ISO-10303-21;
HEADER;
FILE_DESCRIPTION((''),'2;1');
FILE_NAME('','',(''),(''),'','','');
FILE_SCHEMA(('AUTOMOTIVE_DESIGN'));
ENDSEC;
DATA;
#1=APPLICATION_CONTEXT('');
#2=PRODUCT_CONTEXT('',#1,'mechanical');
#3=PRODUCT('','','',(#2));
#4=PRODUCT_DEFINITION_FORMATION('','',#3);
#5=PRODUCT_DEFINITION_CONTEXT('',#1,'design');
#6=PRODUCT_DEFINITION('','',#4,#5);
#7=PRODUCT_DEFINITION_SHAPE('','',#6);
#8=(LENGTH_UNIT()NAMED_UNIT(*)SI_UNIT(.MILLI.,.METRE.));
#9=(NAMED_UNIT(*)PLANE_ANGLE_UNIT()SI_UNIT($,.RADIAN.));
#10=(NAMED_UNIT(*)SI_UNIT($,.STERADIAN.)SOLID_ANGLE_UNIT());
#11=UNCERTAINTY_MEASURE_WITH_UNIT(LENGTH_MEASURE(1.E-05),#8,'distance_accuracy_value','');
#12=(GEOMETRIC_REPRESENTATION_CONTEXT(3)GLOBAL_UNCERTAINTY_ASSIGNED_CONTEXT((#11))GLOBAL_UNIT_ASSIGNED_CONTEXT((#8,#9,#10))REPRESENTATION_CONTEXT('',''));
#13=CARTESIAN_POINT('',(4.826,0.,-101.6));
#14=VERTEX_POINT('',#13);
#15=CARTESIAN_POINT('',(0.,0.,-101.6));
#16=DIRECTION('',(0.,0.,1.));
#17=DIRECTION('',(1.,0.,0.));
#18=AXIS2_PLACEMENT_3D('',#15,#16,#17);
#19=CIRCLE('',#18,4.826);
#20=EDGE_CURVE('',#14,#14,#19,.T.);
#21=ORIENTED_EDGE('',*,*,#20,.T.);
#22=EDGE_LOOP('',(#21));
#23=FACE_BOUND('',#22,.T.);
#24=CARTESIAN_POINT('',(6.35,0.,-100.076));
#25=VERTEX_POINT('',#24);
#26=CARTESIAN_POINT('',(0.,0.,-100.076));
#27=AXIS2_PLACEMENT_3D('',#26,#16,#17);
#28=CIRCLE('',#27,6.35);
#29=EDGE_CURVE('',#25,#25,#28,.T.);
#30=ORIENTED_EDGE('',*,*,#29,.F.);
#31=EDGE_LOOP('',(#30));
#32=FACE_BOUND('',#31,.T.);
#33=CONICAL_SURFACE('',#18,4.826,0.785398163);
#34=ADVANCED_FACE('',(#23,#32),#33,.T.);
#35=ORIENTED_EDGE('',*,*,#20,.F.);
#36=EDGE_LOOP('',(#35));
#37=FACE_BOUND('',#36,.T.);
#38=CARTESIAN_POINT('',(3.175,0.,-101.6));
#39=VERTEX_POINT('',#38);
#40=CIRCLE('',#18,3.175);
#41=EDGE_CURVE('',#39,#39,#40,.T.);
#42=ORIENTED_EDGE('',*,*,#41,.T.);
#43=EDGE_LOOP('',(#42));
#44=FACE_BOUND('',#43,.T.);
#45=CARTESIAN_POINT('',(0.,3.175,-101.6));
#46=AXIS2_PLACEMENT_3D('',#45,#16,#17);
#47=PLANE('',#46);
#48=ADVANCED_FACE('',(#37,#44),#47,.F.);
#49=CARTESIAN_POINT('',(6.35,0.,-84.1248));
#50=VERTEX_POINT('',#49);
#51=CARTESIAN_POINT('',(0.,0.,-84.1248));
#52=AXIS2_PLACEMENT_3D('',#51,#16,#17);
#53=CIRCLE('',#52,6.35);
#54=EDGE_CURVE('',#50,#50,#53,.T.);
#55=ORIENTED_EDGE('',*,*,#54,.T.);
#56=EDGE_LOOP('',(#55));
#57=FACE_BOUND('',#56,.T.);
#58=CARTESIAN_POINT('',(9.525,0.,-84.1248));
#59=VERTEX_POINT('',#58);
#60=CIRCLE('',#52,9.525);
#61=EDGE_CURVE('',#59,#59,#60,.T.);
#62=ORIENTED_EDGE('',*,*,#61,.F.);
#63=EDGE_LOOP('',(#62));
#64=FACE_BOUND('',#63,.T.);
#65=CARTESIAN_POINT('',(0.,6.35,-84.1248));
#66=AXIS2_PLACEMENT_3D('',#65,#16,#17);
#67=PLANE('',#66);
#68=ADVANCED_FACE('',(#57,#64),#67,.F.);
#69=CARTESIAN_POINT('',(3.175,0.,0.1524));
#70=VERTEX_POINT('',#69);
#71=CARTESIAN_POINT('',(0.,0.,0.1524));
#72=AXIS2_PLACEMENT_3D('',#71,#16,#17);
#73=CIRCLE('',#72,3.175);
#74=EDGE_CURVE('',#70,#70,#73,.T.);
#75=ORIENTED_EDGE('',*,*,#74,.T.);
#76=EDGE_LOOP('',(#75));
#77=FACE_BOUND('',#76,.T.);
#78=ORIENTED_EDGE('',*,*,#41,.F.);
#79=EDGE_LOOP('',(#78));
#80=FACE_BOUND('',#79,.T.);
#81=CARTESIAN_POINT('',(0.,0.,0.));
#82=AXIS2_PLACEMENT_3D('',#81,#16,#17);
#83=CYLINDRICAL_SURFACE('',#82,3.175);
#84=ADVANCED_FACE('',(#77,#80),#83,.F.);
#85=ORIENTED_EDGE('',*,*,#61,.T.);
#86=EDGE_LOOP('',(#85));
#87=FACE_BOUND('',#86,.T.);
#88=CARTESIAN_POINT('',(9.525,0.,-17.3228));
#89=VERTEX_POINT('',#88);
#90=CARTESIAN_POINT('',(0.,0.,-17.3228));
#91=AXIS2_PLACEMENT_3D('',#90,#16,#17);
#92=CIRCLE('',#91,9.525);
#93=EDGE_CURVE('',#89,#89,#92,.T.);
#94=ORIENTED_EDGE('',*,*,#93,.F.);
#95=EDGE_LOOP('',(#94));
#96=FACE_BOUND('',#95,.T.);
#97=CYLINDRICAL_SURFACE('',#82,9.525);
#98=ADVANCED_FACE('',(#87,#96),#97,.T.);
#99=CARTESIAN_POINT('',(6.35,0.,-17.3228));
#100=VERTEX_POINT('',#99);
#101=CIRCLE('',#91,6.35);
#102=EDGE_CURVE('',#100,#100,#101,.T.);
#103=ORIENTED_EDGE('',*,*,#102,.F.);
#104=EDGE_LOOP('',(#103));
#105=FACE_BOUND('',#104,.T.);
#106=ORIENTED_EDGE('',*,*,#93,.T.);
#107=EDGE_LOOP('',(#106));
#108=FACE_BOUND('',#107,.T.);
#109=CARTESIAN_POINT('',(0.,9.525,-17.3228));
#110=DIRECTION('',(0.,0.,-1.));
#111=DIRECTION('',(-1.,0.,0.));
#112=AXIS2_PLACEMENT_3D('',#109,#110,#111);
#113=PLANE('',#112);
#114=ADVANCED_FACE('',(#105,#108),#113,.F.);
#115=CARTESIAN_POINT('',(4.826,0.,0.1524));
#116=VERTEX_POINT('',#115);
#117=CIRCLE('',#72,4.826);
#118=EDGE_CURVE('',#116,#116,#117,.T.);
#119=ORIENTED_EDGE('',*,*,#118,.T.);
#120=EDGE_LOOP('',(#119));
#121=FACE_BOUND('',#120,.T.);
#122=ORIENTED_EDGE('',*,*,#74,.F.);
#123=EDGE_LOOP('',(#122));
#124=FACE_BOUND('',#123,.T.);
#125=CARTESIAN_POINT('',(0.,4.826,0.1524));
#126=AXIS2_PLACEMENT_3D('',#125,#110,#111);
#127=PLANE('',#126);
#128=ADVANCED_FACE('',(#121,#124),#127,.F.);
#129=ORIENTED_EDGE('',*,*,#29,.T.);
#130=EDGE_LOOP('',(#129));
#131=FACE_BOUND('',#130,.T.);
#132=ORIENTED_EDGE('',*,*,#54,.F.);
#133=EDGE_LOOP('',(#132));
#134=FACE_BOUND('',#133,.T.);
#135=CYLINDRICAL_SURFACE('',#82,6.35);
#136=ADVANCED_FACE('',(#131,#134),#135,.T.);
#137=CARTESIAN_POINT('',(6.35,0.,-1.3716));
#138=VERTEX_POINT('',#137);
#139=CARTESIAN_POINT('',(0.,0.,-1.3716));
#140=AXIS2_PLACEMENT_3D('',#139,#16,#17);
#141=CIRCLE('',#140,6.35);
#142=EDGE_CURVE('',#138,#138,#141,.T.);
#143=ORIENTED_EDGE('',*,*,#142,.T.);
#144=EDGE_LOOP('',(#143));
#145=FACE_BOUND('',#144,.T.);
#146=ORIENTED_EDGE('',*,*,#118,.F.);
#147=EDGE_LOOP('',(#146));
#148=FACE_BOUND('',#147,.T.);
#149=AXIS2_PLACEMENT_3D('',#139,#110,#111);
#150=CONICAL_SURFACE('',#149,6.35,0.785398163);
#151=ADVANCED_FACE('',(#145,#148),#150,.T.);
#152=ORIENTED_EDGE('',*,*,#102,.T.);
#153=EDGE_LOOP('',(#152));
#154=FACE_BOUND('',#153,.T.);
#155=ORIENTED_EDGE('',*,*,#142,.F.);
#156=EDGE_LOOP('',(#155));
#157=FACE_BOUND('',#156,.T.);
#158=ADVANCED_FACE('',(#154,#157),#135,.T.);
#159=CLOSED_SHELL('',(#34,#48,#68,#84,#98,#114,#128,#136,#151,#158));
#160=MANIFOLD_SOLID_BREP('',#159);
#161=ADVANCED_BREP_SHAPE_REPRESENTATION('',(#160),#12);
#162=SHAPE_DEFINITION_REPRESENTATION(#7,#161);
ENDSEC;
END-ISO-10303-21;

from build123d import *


with BuildPart() as part:
    # Sketch1 → Revolve1 (revolve)
    with BuildSketch(Plane(origin=(0, 0, 0), x_dir=(0, 0, -1), z_dir=(1, 0, 0))):
        Polygon((-0.1524, 3.175), (101.6, 3.175), (101.6, 4.826), (100.076, 6.35), (84.1248, 6.35), (84.1248, 9.525), (17.3228, 9.525), (17.3228, 6.35), (1.3716, 6.35), (-0.1524, 4.826), align=None)
    revolve(axis=Axis((0, 0, 0), (0, 0, -1)))


solid = part.part
